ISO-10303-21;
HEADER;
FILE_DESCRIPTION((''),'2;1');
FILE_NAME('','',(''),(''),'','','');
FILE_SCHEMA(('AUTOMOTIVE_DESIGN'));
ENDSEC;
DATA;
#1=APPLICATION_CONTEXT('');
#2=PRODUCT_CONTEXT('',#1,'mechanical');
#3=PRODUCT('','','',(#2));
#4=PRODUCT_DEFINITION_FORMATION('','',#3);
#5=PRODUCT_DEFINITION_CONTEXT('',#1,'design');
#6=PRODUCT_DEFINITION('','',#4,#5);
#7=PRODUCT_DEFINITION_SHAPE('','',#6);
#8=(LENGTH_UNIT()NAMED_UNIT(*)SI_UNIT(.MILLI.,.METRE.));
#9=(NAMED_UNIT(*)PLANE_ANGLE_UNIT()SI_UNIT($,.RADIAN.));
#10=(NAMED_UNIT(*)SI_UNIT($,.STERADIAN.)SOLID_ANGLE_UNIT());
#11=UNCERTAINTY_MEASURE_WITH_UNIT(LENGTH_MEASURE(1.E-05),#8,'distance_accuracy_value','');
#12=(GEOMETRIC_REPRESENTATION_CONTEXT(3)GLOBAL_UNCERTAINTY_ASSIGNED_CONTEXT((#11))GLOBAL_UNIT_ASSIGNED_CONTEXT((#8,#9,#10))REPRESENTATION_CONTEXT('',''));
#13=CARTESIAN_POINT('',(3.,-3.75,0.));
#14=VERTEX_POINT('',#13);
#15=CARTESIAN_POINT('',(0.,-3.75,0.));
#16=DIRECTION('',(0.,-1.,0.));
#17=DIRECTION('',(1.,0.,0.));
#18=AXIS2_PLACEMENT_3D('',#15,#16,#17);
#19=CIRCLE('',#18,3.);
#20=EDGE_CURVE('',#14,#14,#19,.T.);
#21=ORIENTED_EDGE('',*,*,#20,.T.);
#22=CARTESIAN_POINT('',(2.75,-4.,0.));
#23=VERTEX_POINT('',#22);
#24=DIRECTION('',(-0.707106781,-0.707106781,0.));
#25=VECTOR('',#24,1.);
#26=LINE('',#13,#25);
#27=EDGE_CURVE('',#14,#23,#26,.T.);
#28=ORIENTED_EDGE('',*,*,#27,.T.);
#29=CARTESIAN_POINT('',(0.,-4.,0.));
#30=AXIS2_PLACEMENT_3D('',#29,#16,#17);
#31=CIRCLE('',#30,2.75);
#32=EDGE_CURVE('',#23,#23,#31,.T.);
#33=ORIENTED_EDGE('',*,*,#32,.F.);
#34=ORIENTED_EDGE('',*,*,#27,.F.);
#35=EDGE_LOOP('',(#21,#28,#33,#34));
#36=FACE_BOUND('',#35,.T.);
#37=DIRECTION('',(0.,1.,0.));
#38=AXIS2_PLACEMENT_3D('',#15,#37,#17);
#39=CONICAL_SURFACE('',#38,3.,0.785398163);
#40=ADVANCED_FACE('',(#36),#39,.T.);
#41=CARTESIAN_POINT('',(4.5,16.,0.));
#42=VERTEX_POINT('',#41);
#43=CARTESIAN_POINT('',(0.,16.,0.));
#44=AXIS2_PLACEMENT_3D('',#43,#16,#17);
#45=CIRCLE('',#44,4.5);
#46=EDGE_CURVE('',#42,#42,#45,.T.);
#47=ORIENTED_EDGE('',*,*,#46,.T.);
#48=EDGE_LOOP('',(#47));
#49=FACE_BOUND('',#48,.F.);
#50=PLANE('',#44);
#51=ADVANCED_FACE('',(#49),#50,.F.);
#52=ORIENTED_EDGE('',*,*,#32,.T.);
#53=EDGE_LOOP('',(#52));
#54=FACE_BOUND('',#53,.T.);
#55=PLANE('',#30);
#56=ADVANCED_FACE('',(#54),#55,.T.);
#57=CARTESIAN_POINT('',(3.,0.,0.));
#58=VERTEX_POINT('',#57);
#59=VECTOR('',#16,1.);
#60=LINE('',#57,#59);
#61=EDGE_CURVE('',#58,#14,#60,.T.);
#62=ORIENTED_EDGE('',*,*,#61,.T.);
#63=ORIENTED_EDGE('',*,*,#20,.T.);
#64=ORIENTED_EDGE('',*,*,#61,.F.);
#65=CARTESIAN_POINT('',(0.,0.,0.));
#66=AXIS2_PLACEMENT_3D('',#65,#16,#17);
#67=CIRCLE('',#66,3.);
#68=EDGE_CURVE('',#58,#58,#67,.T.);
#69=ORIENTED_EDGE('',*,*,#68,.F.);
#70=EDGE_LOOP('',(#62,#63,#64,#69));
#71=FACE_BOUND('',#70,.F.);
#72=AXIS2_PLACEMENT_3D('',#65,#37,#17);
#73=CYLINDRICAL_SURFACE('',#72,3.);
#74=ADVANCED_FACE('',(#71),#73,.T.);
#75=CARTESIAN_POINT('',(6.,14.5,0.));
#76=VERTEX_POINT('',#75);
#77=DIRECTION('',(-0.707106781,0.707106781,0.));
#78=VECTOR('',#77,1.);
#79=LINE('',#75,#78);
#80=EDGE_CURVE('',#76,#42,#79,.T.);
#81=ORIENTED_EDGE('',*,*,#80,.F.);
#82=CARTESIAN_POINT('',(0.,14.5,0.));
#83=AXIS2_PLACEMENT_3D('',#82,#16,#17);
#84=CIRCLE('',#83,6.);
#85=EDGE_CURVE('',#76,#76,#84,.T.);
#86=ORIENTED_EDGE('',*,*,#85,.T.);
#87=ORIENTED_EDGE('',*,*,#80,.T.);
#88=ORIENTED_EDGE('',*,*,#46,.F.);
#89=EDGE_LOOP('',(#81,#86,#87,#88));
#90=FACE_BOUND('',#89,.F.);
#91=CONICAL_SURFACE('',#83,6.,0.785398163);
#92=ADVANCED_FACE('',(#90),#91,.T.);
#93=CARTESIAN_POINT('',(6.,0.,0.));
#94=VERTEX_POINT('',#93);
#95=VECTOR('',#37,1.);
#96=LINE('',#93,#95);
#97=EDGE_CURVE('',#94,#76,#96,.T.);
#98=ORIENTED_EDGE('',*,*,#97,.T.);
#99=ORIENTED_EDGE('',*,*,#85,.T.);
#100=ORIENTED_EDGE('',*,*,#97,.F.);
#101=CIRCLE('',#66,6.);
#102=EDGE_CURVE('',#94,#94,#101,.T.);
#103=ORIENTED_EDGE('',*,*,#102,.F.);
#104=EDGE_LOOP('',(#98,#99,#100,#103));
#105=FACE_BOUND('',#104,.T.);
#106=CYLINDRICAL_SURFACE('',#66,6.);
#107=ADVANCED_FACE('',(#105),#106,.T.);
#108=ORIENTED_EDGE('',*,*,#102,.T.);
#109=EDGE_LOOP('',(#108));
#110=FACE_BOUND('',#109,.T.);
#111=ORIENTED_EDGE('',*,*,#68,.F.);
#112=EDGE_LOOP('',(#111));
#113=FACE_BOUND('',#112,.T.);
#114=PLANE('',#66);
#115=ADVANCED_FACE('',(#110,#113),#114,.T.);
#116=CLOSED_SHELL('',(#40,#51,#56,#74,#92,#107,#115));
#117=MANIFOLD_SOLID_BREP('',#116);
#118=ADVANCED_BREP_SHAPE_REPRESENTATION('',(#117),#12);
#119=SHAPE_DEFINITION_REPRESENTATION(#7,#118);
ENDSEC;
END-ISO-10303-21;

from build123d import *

# Parameters (mm, degrees)
F0_R     = 6
F1_DEPTH = 16
F2_R     = 3
F3_DEPTH = 4
F4_SIZE  = 0.25
F5_SIZE  = 1.5


with BuildPart() as f1:
    # F0 (on Front) → F1 (new body)
    with BuildSketch(Plane.XZ):
        Circle(F0_R)
    extrude(amount=-F1_DEPTH)

    # F2 (on face) → F3 (join)
    with BuildSketch(Plane.XZ):
        Circle(F2_R)
    extrude(amount=F3_DEPTH)

    # F4
    f4_edges = [f1.edges().sort_by_distance(p)[0] for p in [
        (-3, -4, 0),
    ]]
    chamfer(f4_edges, length=F4_SIZE)

    # F5
    f5_edges = [f1.edges().sort_by_distance(p)[0] for p in [
        (-6, 16, 0),
    ]]
    chamfer(f5_edges, length=F5_SIZE)


solid = f1.part
